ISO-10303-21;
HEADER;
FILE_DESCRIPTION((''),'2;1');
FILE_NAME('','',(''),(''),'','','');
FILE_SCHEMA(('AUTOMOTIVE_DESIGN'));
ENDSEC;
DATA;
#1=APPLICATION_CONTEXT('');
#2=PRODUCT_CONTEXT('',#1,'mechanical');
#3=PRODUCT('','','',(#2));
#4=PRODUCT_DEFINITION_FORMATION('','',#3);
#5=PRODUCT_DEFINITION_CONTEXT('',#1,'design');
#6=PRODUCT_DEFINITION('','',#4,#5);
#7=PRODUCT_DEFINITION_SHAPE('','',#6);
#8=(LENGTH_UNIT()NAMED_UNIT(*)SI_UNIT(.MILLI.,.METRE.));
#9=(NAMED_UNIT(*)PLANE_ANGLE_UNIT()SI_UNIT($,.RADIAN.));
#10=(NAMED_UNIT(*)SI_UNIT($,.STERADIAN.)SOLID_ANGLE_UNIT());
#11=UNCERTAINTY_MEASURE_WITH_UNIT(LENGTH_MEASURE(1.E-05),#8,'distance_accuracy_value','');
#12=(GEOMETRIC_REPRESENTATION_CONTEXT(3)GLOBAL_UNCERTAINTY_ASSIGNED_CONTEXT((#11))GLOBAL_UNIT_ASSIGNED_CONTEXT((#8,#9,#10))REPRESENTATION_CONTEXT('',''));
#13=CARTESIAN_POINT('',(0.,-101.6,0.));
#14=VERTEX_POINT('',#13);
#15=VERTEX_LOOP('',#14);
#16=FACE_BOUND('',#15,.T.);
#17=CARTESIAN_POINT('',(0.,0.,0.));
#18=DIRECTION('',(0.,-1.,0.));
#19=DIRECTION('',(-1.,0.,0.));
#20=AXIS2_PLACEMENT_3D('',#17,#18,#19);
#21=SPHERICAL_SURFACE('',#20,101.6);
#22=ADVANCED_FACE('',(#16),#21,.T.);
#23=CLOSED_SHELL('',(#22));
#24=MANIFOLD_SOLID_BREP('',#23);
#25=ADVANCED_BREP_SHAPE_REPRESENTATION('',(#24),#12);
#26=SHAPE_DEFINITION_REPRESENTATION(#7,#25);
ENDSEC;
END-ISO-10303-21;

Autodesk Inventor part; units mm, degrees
ref_plane "YZ Plane" through (0, 0, 0) normal (1, 0, 0) x (0, 1, 0)
ref_plane "XY Plane" through (0, 0, 0) normal (0, 0, 1) x (1, 0, 0)
sketch "Sketch1" plane through (0, 0, 0) normal (0, 0, 1) x (1, 0, 0)
  arc A0 (0, 101.6) -> (0, -101.6) centre (0, 0) ccw
  line L0 (0, 101.6) -> (0, -101.6)
  dimension "d0" = 203.2
revolve "Revolution1" add sketch "Sketch1" angle 360 about axis through (0, 101.6, 0) along (0, -1, 0)
properties part number "vrRig_v8_8inBall"
